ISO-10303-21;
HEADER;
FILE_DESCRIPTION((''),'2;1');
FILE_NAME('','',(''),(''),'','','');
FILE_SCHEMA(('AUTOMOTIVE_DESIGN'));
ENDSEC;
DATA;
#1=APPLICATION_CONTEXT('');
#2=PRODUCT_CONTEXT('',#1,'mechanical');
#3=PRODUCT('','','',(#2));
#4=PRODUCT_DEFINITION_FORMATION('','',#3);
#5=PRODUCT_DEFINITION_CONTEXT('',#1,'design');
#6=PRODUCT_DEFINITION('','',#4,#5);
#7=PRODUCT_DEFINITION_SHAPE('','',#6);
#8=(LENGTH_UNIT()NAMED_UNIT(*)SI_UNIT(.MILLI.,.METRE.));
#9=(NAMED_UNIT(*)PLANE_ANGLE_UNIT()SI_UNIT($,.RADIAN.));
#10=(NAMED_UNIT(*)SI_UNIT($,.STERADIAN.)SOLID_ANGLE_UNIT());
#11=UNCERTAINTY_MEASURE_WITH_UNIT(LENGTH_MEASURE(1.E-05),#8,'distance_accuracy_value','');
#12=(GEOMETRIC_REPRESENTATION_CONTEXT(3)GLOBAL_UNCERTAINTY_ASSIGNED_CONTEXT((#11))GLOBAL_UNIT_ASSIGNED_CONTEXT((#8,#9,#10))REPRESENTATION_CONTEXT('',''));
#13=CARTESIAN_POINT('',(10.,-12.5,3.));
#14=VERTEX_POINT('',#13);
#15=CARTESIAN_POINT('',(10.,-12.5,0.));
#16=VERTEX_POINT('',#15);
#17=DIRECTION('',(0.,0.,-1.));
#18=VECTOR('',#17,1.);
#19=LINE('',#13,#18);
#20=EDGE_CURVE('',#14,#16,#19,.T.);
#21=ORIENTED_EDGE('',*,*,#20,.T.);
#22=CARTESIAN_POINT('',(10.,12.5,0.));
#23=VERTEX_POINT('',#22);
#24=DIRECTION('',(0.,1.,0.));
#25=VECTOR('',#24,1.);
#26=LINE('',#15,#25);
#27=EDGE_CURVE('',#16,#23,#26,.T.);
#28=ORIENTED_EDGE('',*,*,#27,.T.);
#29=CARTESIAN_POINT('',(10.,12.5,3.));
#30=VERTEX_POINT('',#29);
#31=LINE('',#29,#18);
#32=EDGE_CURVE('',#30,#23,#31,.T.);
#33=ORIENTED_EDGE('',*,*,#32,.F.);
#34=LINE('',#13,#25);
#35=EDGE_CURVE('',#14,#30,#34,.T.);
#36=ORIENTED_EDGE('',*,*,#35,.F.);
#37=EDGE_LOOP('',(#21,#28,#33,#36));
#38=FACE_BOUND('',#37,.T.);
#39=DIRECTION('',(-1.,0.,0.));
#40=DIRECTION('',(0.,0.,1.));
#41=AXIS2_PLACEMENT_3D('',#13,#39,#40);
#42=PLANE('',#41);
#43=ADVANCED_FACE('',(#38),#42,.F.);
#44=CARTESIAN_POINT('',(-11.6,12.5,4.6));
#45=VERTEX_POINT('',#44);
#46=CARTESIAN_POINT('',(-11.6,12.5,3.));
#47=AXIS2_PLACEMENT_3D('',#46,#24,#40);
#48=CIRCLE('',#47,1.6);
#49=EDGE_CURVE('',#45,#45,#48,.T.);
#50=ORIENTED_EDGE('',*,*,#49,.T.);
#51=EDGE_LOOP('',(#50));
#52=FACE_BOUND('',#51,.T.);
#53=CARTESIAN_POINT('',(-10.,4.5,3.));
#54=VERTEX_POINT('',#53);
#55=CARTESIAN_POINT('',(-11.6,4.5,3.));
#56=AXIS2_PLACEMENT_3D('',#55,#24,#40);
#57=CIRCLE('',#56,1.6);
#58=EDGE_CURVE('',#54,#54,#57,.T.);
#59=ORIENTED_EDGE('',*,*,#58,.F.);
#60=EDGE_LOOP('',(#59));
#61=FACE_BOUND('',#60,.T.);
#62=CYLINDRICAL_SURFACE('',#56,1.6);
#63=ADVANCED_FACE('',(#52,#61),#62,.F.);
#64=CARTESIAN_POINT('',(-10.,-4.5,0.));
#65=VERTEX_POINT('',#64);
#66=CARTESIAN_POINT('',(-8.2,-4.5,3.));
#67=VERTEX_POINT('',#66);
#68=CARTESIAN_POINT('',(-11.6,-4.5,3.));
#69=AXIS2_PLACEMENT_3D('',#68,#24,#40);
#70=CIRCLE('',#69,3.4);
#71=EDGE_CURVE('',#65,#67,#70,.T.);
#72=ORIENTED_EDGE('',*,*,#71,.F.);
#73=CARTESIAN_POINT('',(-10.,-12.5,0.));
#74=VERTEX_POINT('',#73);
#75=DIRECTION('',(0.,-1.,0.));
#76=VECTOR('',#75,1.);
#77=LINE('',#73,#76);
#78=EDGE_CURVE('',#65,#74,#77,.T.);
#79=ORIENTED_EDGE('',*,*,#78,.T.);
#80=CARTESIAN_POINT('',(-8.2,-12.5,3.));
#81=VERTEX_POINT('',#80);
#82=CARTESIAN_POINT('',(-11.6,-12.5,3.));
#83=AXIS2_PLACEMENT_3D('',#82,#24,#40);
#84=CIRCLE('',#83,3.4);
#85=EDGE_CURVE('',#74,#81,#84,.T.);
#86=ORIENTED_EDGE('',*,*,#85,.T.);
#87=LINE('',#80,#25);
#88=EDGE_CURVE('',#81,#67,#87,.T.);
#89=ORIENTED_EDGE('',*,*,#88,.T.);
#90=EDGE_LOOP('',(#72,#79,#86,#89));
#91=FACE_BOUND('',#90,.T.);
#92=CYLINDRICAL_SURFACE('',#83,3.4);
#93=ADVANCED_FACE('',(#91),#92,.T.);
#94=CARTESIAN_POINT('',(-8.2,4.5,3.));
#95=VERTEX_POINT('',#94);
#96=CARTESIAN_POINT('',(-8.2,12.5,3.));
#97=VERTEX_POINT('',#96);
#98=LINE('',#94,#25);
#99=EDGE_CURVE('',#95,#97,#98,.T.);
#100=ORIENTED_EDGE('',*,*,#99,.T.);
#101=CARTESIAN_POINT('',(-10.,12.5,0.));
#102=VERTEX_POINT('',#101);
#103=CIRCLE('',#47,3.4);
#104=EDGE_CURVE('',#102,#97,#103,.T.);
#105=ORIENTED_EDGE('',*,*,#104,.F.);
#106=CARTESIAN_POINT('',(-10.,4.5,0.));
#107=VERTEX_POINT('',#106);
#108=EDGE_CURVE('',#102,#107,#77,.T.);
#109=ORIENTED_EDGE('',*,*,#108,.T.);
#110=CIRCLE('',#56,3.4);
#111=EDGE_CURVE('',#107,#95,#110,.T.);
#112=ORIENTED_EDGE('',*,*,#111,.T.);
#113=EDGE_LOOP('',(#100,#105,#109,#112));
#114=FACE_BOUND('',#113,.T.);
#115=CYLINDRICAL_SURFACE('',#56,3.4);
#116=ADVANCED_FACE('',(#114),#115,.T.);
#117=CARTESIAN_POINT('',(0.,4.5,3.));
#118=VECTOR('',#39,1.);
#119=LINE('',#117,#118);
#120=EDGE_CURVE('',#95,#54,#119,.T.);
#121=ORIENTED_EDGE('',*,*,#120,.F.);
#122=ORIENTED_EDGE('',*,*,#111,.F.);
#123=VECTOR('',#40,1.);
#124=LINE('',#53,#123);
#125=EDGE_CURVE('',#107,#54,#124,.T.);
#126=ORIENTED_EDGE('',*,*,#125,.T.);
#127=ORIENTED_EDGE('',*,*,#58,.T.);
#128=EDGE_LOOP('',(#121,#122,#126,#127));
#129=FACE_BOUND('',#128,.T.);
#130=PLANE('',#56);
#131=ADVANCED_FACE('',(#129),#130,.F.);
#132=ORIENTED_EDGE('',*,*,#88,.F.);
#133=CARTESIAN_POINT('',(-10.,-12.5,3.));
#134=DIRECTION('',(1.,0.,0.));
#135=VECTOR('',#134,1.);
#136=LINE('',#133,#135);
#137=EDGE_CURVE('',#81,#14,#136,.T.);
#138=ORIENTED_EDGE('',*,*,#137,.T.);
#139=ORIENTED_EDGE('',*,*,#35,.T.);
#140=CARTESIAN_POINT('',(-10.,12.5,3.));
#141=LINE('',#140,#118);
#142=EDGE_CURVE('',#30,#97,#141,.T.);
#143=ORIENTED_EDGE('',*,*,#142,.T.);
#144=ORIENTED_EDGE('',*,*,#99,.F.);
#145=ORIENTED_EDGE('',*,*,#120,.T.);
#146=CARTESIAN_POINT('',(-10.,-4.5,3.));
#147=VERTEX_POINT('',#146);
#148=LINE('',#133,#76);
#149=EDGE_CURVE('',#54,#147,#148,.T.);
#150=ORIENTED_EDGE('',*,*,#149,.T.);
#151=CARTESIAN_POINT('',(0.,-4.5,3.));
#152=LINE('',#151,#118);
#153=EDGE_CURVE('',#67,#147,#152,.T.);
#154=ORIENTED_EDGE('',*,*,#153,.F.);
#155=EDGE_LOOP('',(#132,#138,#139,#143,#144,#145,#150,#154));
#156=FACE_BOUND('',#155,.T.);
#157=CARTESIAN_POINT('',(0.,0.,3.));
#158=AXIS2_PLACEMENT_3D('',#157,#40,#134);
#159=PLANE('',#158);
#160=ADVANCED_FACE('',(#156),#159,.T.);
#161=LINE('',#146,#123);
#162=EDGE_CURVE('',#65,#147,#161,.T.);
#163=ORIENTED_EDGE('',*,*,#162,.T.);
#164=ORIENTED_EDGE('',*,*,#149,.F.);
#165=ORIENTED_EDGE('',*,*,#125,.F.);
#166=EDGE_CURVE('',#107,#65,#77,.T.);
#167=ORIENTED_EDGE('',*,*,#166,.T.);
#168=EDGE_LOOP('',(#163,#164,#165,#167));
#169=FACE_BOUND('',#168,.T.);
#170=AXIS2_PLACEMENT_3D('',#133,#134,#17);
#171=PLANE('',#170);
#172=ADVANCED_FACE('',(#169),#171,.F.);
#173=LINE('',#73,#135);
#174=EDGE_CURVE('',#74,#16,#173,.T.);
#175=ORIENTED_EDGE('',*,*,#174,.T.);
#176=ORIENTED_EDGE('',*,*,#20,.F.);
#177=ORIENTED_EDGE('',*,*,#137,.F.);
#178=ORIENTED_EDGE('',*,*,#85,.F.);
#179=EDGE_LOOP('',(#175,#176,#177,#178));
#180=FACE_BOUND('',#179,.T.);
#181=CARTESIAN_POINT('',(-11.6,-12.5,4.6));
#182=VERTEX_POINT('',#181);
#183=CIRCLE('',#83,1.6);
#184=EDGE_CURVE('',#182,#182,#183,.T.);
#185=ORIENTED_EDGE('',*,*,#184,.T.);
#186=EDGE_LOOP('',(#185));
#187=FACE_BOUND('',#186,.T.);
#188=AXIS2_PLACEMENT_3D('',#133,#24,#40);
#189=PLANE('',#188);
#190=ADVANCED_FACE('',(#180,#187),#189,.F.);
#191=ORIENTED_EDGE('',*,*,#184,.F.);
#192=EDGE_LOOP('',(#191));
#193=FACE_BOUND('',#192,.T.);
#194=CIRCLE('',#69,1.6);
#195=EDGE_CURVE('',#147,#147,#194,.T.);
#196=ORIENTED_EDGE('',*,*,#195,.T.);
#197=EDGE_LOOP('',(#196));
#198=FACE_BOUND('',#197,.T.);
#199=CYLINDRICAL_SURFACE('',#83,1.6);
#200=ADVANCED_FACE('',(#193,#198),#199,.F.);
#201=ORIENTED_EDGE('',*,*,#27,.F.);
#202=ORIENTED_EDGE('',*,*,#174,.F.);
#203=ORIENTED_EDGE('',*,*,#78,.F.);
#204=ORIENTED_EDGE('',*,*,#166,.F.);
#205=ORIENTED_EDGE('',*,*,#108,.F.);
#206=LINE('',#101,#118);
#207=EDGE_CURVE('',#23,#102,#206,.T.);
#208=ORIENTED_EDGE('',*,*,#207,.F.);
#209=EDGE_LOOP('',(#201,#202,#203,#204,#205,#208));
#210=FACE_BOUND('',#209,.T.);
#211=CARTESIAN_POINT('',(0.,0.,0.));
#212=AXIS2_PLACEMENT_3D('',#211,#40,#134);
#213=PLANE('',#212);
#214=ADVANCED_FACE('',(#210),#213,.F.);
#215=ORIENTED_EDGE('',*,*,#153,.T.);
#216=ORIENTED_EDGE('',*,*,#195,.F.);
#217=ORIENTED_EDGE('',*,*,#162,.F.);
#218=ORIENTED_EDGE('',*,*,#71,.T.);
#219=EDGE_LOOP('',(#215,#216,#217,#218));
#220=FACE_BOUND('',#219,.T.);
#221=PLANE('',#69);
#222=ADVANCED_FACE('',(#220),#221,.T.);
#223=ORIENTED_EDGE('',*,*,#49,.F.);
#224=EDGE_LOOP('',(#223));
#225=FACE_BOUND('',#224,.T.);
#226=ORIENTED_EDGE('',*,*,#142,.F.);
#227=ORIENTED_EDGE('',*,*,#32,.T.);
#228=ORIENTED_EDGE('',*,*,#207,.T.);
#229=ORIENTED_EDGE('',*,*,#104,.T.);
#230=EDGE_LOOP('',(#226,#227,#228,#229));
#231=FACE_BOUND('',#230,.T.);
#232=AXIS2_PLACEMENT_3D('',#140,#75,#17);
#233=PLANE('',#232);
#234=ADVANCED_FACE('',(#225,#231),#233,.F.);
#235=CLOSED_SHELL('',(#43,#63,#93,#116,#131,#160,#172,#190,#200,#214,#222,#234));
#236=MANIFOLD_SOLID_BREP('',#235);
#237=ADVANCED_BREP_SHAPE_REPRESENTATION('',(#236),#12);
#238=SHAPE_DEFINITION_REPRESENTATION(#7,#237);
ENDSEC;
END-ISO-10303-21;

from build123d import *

# Parameters (mm, degrees)
SKETCH2_W           = 25
SKETCH2_H           = 20
BOSS_EXTRUDE1_DEPTH = 3
SKETCH3_R           = 3.4
SKETCH3_R_2         = 1.6
BOSS_EXTRUDE2_DEPTH = 8
LPATTERN1_COUNT     = 2
LPATTERN1_PITCH     = 17


with BuildPart() as part:
    # Sketch2 → Boss-Extrude1 (new body)
    with BuildSketch(Plane(origin=(0, 0, 0), x_dir=(0, 1, 0), z_dir=(0, 0, 1))):
        Rectangle(SKETCH2_W, SKETCH2_H)
    extrude(amount=BOSS_EXTRUDE1_DEPTH)

    # Sketch3 → Boss-Extrude2 (add)
    with BuildSketch(Plane(origin=(22.5, 12.5, 0), x_dir=(-1, 0, 0), z_dir=(0, 1, 0))):
        with Locations((34.1, 3)):
            Circle(SKETCH3_R)
        with Locations(Location((34.1, 3, 0), (0, 0, 90))):
            Circle(SKETCH3_R_2, mode=Mode.SUBTRACT)
    boss_extrude2 = extrude(amount=-BOSS_EXTRUDE2_DEPTH)

    # LPattern1: Boss-Extrude2 ×2
    with Locations(*[(0, -i * LPATTERN1_PITCH, 0) for i in range(1, LPATTERN1_COUNT)]):
        add(boss_extrude2)


solid = part.part
